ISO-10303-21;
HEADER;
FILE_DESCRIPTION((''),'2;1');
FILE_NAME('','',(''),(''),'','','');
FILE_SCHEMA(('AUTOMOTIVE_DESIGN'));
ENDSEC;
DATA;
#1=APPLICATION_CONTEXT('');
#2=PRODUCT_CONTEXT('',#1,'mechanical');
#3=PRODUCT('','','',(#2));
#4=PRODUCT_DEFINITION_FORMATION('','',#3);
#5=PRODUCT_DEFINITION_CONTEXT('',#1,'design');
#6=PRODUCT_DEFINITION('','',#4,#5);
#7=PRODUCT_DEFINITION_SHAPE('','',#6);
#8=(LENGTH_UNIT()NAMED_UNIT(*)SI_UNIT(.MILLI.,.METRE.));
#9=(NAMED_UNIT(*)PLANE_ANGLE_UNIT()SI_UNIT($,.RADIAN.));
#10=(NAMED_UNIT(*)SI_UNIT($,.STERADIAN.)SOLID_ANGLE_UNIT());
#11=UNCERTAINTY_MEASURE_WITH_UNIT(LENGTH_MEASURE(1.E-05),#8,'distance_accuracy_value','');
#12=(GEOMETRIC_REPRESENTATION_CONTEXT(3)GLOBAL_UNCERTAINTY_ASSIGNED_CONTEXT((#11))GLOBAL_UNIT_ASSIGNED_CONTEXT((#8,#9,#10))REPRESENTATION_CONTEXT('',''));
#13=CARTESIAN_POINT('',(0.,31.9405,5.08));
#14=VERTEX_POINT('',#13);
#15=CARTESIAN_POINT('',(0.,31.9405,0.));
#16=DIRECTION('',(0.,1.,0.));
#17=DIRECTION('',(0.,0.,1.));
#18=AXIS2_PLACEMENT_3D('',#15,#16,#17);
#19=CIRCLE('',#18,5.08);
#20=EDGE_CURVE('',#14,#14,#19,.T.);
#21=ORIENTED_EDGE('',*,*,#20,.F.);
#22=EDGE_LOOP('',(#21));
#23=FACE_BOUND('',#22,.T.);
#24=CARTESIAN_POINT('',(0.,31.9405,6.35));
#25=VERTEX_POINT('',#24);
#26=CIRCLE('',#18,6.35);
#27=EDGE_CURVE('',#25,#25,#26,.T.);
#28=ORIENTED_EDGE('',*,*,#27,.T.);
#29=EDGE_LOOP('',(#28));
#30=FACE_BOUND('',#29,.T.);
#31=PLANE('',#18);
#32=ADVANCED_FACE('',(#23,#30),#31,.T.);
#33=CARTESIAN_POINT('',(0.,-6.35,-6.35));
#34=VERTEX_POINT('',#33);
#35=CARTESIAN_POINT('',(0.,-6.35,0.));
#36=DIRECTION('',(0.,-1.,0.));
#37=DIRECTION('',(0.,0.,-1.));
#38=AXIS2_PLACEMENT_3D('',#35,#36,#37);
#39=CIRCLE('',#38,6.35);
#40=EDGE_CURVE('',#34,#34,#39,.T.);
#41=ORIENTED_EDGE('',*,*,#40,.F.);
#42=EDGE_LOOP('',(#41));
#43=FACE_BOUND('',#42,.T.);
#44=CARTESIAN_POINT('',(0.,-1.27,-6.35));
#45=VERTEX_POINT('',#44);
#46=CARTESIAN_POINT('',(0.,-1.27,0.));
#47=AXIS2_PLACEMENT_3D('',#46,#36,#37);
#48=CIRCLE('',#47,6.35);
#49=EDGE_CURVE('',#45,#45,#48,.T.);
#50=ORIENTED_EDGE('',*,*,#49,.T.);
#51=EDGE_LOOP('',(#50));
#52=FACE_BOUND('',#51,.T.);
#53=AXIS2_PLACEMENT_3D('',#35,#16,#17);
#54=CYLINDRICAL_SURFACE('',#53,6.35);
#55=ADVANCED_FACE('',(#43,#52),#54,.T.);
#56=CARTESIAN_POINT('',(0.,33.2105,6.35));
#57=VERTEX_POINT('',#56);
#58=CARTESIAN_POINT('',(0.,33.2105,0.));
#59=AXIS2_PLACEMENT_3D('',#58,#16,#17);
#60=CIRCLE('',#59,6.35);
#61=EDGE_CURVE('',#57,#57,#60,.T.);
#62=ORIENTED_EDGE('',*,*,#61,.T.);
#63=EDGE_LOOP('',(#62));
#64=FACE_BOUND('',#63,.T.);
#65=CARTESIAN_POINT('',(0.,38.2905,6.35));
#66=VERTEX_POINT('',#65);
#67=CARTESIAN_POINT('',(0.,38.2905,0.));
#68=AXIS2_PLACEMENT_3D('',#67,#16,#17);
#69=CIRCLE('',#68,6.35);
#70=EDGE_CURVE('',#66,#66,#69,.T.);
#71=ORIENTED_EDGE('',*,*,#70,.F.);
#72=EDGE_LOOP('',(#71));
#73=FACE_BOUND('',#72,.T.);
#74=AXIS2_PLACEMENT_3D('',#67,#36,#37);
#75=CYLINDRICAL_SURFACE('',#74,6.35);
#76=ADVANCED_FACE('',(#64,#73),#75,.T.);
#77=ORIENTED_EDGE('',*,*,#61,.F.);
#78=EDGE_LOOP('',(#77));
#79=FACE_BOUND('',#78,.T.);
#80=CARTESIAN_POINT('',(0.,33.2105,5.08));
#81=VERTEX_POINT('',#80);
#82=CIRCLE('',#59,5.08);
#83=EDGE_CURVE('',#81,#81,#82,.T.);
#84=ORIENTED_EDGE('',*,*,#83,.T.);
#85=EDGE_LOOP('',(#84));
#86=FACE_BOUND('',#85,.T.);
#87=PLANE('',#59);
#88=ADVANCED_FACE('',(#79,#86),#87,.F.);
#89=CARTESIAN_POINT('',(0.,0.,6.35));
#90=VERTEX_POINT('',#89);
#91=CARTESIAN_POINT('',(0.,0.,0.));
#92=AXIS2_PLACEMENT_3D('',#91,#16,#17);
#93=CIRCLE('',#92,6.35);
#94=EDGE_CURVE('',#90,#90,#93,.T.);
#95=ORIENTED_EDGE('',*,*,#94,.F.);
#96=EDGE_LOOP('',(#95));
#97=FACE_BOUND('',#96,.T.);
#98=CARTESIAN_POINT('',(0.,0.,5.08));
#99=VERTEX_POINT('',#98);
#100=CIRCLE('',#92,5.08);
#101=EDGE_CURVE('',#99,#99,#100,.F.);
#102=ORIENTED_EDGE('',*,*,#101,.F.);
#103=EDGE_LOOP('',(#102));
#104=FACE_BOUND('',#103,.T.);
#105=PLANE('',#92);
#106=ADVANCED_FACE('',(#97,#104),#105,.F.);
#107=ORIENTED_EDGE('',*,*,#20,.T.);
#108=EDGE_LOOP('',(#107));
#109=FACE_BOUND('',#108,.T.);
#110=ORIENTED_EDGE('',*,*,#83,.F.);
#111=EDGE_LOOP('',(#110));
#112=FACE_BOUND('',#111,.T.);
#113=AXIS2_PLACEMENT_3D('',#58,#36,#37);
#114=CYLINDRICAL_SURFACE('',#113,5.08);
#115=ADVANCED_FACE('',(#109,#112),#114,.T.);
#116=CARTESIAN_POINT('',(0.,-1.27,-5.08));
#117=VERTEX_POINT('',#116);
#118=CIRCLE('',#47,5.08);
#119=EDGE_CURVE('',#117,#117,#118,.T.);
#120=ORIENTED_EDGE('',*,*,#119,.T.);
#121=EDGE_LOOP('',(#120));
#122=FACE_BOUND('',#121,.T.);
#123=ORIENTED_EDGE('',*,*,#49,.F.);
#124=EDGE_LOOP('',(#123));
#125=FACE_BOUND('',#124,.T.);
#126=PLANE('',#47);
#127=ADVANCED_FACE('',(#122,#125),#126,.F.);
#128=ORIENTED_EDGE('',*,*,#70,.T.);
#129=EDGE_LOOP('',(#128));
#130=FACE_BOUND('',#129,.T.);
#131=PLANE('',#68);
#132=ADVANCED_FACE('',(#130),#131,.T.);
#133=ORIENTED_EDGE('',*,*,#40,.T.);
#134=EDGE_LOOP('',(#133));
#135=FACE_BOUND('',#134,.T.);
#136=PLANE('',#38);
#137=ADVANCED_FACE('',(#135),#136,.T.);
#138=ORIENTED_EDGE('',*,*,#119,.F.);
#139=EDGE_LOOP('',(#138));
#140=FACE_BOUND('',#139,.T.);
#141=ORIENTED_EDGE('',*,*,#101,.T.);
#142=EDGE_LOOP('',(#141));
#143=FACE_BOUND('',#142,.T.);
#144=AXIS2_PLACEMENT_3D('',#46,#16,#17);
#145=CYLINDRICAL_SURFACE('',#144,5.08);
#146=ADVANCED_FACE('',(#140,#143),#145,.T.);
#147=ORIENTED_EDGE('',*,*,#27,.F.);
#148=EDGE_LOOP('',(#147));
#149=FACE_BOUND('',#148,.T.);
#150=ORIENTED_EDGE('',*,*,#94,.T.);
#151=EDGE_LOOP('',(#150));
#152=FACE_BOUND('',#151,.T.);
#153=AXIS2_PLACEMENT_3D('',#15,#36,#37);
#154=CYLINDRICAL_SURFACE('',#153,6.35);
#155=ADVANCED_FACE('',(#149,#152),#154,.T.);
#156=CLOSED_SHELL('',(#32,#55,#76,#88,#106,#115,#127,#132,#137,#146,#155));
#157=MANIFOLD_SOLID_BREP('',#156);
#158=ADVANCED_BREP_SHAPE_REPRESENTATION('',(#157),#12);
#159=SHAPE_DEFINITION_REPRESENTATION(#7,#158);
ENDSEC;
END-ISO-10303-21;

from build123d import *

# Parameters (mm, degrees)
SKETCH1_R           = 6.35
BOSS_EXTRUDE2_DEPTH = 31.9405
SKETCH4_R           = 5.08
BOSS_EXTRUDE3_DEPTH = 1.27
SKETCH5_R           = 6.35
BOSS_EXTRUDE4_DEPTH = 5.08
BOSS_EXTRUDE5_START = 1.27
SKETCH6_R           = 5.08
BOSS_EXTRUDE5_DEPTH = 1.27
BOSS_EXTRUDE6_START = 5.08
SKETCH7_R           = 6.35
BOSS_EXTRUDE6_DEPTH = 5.08


with BuildPart() as part:
    # Sketch1 → Boss-Extrude2 (new body)
    with BuildSketch(Plane(origin=(0, 0, 0), x_dir=(1, 0, 0), z_dir=(0, 1, 0))):
        with Locations(Location((0, 0, 0), (0, 0, 270))):
            Circle(SKETCH1_R)
    extrude(amount=BOSS_EXTRUDE2_DEPTH)

    # Sketch4 → Boss-Extrude3 (add)
    with BuildSketch(Plane(origin=(0, 31.9405, 0), x_dir=(1, 0, 0), z_dir=(0, 1, 0))):
        with Locations(Location((0, 0, 0), (0, 0, 270))):
            Circle(SKETCH4_R)
    extrude(amount=BOSS_EXTRUDE3_DEPTH)

    # Sketch5 → Boss-Extrude4 (add)
    with BuildSketch(Plane(origin=(0, 33.2105, 0), x_dir=(1, 0, 0), z_dir=(0, 1, 0))):
        with Locations(Location((0, 0, 0), (0, 0, 270))):
            Circle(SKETCH5_R)
    extrude(amount=BOSS_EXTRUDE4_DEPTH)

    # Sketch6 → Boss-Extrude5 (add)
    with BuildSketch(Plane.XZ.offset(BOSS_EXTRUDE5_START)):
        with Locations(Location((0, 0, 0), (0, 0, 90))):
            Circle(SKETCH6_R)
    extrude(amount=-BOSS_EXTRUDE5_DEPTH)

    # Sketch7 → Boss-Extrude6 (add)
    with BuildSketch(Plane.XZ.offset(1.27).offset(BOSS_EXTRUDE6_START)):
        with Locations(Location((0, 0, 0), (0, 0, 90))):
            Circle(SKETCH7_R)
    extrude(amount=-BOSS_EXTRUDE6_DEPTH)


solid = part.part
